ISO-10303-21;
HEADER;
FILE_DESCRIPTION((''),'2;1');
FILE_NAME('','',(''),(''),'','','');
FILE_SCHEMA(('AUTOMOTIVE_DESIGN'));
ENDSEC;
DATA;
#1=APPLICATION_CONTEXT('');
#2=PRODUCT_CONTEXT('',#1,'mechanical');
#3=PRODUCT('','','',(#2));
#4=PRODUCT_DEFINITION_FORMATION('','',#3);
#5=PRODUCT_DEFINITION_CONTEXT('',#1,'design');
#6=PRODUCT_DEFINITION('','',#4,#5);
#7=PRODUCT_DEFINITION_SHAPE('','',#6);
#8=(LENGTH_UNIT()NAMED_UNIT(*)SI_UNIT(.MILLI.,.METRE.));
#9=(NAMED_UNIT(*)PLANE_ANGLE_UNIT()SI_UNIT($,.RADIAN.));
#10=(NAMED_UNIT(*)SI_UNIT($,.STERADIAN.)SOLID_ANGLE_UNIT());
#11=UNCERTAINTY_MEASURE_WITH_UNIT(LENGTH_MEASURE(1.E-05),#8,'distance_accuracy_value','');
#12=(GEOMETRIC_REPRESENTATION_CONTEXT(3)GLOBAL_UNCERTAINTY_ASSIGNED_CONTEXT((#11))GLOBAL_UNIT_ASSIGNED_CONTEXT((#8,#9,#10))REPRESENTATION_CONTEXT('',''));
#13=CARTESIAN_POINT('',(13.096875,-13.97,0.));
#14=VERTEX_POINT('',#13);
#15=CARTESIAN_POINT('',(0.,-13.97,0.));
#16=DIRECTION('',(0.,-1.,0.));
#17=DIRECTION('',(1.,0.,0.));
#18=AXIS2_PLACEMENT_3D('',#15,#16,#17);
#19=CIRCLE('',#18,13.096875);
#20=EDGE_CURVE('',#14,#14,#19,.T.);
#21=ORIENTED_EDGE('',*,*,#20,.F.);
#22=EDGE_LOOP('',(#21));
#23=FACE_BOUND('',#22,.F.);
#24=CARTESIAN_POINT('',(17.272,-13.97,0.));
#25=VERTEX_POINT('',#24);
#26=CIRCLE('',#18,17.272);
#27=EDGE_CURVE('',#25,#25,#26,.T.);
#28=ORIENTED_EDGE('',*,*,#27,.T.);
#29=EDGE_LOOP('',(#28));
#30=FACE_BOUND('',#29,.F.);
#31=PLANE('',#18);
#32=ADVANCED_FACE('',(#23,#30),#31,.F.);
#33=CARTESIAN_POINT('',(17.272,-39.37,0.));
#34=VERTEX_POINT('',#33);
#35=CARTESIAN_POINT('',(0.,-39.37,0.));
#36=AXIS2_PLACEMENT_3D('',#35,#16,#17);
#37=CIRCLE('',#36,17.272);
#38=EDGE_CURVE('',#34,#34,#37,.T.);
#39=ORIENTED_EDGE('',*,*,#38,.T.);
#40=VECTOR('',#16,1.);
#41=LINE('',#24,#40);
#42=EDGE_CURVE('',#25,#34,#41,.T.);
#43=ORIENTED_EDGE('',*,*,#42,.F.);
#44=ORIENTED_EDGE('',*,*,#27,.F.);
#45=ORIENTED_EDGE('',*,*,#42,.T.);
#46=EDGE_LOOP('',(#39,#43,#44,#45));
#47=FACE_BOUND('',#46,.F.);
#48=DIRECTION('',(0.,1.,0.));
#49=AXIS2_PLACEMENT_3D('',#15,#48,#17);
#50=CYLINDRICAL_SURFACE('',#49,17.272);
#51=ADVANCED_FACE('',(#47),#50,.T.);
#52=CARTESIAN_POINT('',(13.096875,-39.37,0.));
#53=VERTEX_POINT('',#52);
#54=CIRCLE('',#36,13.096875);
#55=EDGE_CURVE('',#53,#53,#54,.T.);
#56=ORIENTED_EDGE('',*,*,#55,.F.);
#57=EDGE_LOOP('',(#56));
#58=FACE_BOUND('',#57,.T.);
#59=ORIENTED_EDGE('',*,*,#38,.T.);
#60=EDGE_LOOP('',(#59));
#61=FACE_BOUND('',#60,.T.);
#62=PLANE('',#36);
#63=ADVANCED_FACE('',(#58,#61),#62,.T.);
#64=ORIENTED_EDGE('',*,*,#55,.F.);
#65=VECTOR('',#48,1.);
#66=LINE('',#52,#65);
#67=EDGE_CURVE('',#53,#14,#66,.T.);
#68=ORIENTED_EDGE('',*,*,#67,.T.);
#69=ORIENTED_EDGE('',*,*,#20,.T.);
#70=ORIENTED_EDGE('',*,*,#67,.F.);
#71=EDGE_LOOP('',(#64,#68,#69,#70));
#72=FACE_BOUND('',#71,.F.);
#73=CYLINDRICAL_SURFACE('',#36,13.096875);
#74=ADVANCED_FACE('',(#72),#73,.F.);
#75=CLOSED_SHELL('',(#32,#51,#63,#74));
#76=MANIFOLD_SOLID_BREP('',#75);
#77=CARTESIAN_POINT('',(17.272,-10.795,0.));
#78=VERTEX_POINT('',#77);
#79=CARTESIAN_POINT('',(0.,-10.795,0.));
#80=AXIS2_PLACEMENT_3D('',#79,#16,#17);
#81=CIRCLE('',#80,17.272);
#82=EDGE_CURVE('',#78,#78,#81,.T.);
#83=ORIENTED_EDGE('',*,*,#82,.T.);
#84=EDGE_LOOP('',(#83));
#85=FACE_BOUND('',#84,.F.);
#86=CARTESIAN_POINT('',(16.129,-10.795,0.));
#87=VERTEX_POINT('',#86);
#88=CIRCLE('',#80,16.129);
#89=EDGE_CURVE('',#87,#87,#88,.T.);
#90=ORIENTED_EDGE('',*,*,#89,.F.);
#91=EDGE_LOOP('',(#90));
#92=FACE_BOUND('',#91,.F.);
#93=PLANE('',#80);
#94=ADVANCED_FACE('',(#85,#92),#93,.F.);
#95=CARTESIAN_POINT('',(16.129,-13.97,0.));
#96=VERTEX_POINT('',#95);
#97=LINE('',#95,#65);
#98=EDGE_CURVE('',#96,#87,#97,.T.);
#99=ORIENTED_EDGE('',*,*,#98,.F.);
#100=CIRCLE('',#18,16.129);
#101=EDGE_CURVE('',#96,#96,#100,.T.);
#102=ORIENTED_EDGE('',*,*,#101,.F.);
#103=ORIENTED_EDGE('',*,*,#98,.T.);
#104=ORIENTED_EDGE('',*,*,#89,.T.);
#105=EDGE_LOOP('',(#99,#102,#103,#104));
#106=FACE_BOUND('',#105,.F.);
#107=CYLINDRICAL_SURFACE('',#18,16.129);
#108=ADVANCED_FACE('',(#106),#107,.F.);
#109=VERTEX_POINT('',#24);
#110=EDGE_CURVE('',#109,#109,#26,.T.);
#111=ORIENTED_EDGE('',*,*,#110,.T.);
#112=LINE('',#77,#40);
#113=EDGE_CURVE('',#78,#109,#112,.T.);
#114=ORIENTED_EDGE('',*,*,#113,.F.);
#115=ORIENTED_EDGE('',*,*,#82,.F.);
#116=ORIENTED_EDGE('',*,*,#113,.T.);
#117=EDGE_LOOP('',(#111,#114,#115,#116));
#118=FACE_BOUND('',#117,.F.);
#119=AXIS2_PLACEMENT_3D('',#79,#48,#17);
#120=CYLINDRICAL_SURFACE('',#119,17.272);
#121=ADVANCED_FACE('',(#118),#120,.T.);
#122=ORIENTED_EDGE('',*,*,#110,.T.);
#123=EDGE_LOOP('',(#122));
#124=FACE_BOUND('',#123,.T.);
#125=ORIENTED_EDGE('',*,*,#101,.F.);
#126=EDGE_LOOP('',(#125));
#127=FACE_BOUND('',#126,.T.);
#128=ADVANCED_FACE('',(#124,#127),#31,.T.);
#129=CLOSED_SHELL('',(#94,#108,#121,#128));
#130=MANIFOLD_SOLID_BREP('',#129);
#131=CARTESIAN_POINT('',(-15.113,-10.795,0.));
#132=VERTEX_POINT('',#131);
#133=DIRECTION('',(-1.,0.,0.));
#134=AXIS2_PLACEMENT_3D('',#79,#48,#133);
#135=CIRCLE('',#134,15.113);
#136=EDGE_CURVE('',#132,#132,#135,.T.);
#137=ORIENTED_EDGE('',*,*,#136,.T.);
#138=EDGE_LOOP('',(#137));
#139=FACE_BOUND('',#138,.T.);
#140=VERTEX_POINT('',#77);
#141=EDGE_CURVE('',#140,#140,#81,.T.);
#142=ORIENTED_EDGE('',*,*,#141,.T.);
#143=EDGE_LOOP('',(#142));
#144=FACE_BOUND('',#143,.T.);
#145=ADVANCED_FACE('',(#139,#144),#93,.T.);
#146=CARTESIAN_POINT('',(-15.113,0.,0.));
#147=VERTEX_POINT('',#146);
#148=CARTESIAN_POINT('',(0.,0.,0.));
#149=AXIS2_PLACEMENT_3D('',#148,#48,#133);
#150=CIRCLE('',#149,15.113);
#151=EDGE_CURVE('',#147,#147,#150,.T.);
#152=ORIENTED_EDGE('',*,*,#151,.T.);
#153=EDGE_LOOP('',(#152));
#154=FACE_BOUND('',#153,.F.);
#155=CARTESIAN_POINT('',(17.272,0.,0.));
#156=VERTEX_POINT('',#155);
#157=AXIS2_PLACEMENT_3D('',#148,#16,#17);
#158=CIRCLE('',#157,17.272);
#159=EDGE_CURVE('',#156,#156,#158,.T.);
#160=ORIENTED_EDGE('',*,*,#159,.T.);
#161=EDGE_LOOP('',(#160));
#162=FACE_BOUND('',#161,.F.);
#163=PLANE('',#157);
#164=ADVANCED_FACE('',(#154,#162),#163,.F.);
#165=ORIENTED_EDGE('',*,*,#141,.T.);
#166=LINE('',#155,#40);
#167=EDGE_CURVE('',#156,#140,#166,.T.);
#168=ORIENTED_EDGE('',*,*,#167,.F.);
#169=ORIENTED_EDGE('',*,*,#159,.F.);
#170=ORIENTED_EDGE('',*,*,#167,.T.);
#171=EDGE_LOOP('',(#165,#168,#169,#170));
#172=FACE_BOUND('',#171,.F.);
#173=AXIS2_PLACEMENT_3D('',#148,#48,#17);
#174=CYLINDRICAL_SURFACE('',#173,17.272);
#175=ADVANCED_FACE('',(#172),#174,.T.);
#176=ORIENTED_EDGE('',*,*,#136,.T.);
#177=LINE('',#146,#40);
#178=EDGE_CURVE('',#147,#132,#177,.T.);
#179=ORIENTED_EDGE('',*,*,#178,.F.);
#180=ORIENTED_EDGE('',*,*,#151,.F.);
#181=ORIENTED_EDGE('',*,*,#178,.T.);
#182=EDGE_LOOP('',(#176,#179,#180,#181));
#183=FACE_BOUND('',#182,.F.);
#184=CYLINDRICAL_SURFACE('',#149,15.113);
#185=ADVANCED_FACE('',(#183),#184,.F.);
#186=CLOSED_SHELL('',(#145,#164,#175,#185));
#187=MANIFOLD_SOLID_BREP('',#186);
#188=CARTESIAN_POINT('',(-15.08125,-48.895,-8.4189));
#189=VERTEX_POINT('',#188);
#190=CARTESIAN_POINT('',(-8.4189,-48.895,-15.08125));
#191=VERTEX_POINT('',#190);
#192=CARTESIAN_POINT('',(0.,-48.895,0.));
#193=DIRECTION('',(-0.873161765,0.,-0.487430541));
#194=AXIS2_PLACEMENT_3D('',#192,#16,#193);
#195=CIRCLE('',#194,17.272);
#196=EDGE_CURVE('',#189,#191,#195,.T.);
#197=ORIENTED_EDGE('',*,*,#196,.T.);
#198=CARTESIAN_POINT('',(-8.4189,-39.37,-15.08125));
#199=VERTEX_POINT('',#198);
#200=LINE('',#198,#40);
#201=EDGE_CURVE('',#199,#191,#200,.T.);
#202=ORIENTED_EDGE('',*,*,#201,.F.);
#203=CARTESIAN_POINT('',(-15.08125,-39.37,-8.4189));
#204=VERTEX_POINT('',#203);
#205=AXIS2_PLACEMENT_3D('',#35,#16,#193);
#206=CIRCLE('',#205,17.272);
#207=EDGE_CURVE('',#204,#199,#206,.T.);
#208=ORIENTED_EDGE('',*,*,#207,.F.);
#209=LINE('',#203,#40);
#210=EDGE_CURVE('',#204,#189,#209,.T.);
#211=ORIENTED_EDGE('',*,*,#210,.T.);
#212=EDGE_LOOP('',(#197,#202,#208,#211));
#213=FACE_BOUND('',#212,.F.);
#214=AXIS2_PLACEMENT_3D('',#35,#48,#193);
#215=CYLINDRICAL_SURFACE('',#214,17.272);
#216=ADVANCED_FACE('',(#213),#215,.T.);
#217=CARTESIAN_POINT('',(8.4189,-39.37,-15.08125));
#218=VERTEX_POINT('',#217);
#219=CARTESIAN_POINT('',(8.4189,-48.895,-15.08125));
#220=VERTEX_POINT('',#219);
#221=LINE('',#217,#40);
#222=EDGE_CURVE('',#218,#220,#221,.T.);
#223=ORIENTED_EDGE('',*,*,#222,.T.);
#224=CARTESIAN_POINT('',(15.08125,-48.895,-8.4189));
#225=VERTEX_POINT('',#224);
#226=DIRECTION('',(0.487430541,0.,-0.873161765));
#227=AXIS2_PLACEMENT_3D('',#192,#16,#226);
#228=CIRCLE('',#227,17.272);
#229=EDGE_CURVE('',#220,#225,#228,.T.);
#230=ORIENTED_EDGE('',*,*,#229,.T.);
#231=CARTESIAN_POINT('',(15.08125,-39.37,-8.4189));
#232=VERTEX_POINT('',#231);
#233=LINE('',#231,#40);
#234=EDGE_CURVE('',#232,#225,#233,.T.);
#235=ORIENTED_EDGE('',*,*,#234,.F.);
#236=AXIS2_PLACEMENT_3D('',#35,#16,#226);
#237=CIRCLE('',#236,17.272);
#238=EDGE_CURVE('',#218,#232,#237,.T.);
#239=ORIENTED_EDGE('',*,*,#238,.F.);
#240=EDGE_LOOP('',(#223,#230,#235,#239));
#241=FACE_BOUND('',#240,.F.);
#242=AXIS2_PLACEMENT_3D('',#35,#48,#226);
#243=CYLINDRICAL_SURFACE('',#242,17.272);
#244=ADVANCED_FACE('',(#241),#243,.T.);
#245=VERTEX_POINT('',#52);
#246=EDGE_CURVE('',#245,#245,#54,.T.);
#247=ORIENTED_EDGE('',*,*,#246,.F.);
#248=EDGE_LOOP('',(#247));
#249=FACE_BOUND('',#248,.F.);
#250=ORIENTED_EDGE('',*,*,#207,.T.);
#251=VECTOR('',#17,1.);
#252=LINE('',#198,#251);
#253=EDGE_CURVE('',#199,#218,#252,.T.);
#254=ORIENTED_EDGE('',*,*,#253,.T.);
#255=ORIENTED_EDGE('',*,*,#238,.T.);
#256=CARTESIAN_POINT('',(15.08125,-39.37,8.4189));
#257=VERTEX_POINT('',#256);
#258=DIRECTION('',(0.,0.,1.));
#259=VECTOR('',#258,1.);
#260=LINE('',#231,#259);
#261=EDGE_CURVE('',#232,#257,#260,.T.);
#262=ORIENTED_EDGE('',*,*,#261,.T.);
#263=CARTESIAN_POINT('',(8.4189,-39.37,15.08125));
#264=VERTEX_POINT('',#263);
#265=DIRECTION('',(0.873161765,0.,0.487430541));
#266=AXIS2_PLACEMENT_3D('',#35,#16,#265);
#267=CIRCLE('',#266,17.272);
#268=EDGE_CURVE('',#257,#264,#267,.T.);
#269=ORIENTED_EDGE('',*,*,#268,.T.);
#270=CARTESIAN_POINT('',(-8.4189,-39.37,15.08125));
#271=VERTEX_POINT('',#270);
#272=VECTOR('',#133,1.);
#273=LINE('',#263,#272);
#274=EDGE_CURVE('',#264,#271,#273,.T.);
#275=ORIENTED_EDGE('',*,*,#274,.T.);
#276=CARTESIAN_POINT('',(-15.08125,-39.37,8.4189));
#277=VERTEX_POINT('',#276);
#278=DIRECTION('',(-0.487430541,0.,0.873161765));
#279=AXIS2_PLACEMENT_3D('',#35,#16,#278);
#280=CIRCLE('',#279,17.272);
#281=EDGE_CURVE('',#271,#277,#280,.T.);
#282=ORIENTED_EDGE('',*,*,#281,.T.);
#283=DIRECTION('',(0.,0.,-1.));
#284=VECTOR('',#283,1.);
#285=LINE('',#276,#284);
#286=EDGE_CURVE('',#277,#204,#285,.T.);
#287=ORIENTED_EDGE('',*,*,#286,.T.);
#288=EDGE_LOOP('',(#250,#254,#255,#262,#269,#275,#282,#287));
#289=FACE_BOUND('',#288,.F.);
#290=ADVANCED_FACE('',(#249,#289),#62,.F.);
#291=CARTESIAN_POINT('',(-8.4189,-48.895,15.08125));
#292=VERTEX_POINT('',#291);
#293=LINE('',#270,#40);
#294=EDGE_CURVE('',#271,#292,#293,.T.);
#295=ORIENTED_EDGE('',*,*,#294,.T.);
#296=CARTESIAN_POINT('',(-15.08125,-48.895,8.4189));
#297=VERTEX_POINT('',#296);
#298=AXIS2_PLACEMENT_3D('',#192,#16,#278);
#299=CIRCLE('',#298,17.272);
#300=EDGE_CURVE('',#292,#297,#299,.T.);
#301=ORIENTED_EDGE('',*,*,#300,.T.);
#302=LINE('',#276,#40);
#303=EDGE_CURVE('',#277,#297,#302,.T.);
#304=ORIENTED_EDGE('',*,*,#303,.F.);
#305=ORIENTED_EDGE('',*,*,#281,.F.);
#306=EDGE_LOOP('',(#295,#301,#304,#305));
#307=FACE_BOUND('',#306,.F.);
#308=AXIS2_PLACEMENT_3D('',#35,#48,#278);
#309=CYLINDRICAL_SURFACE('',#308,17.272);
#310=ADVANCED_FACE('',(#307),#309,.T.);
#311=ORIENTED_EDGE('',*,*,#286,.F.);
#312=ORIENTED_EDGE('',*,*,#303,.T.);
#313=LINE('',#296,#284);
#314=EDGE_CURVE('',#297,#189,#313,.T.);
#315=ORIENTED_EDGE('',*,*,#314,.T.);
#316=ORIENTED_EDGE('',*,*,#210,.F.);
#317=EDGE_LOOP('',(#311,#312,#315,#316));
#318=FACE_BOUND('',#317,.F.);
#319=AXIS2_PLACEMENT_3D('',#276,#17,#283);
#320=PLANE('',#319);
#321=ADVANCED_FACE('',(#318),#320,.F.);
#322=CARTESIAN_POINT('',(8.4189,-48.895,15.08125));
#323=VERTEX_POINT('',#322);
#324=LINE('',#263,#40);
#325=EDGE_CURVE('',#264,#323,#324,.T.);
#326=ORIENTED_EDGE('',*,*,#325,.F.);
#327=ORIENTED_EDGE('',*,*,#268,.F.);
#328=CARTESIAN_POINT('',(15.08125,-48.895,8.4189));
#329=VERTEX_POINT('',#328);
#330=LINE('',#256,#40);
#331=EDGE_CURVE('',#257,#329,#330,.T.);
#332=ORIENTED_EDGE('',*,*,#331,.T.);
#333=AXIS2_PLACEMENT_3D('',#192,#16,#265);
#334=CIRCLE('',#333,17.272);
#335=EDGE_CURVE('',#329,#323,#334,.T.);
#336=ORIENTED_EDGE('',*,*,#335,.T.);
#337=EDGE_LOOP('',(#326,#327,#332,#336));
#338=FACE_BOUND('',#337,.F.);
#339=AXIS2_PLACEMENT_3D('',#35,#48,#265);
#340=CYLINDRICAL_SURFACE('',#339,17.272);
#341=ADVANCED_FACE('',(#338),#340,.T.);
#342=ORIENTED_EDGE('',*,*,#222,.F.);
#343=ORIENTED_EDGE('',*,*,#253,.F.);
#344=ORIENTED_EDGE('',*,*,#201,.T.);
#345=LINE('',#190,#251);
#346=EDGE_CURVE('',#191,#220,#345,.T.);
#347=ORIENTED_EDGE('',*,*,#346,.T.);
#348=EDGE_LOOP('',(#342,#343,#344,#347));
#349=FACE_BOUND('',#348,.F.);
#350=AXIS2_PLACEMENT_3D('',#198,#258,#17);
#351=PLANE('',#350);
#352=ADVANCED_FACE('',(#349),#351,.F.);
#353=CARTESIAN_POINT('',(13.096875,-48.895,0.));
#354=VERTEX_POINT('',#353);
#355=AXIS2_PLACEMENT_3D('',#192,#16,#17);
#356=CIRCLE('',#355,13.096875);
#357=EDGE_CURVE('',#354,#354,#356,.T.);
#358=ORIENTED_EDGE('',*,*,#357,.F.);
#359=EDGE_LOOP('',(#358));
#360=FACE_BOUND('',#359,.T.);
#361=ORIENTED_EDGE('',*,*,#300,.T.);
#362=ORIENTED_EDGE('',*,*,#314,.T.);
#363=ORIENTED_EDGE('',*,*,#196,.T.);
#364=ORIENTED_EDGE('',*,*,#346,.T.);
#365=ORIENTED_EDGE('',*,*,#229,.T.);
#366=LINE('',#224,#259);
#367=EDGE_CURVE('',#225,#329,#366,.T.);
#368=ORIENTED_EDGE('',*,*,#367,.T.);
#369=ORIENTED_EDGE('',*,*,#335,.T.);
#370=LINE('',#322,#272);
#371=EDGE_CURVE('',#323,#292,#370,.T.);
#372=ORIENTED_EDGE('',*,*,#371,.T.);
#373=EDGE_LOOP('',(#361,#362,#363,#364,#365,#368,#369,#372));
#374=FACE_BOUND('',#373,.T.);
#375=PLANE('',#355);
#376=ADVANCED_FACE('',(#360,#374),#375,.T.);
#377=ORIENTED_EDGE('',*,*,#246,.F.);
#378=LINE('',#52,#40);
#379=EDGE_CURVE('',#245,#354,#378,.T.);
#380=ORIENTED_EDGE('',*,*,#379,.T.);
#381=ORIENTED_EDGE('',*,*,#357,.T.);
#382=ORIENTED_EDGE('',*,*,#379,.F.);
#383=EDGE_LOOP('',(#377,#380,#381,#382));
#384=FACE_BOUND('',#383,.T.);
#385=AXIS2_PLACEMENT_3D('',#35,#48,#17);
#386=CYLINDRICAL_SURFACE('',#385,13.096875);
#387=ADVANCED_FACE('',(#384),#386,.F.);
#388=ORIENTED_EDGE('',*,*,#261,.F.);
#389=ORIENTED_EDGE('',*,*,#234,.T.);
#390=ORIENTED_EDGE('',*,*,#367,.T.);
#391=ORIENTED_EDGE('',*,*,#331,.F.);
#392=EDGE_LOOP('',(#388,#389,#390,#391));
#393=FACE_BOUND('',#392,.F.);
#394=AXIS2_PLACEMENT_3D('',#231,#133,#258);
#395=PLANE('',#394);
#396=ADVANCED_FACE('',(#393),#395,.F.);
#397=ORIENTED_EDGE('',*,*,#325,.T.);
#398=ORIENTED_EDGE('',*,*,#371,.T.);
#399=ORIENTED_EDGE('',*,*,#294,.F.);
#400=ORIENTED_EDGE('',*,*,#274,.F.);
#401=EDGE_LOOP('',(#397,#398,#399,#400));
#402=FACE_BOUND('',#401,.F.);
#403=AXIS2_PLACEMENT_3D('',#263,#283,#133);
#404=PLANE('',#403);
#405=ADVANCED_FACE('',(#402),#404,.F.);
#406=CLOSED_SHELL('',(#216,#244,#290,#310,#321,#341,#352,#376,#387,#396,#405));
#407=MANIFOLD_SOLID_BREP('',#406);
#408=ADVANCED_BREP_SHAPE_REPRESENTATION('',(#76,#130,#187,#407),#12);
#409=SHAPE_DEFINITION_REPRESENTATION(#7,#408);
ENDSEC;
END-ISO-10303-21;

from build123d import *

# Parameters (mm, degrees)
F0_R      = 17.272
F1_DEPTH  = 10.795
F2_R      = 15.113
F3_DEPTH  = 10.795
F4_R      = 17.272
F5_DEPTH  = 3.175
F6_R      = 16.129
F7_DEPTH  = 3.175
F8_R      = 17.272
F9_DEPTH  = 25.4
F10_R     = 13.096875
F11_DEPTH = 25.4
F12_R     = 13.096875
F13_DEPTH = 9.525


with BuildPart() as f1:
    # F0 (on Front) → F1 (new body)
    with BuildSketch(Plane.XZ):
        Circle(F0_R)
    extrude(amount=F1_DEPTH)

    # F2 (on face) → F3 (cut, through all)
    with BuildSketch(Plane(origin=(0, 0, 0), x_dir=(-1, 0, 0), z_dir=(0, 1, 0))):
        Circle(F2_R)
    extrude(amount=-F3_DEPTH, mode=Mode.SUBTRACT)


with BuildPart() as f5:
    # F4 (on face) → F5 (new body)
    with BuildSketch(Plane.XZ.offset(10.795)):
        Circle(F4_R)
    extrude(amount=F5_DEPTH)

    # F6 (on face) → F7 (cut, through all)
    with BuildSketch(Plane.XZ.offset(13.97)):
        Circle(F6_R)
    extrude(amount=-F7_DEPTH, mode=Mode.SUBTRACT)


with BuildPart() as f9:
    # F8 (on face) → F9 (new body)
    with BuildSketch(Plane.XZ.offset(13.97)):
        Circle(F8_R)
    extrude(amount=F9_DEPTH)

    # F10 (on face) → F11 (cut, through all)
    with BuildSketch(Plane.XZ.offset(39.37)):
        Circle(F10_R)
    extrude(amount=-F11_DEPTH, mode=Mode.SUBTRACT)


with BuildPart() as f13:
    # F12 (on face) → F13 (new body)
    with BuildSketch(Plane.XZ.offset(39.37)):
        with BuildLine():
            Line((15.08125, -8.4189003105), (15.08125, 8.4189003105))
            ThreePointArc((15.08125, 8.4189003105), (12.2131483247, 12.2131483247), (8.4189003105, 15.08125))
            Line((8.4189003105, 15.08125), (-8.4189003105, 15.08125))
            ThreePointArc((-8.4189003105, 15.08125), (-12.2131483247, 12.2131483247), (-15.08125, 8.4189003105))
            Line((-15.08125, 8.4189003105), (-15.08125, -8.4189003105))
            ThreePointArc((-15.08125, -8.4189003105), (-12.2131483247, -12.2131483247), (-8.4189003105, -15.08125))
            Line((-8.4189003105, -15.08125), (8.4189003105, -15.08125))
            ThreePointArc((8.4189003105, -15.08125), (12.2131483247, -12.2131483247), (15.08125, -8.4189003105))
        make_face()
        Circle(F12_R, mode=Mode.SUBTRACT)
    extrude(amount=F13_DEPTH)


solid = Compound([f1.part, f5.part, f9.part, f13.part])
